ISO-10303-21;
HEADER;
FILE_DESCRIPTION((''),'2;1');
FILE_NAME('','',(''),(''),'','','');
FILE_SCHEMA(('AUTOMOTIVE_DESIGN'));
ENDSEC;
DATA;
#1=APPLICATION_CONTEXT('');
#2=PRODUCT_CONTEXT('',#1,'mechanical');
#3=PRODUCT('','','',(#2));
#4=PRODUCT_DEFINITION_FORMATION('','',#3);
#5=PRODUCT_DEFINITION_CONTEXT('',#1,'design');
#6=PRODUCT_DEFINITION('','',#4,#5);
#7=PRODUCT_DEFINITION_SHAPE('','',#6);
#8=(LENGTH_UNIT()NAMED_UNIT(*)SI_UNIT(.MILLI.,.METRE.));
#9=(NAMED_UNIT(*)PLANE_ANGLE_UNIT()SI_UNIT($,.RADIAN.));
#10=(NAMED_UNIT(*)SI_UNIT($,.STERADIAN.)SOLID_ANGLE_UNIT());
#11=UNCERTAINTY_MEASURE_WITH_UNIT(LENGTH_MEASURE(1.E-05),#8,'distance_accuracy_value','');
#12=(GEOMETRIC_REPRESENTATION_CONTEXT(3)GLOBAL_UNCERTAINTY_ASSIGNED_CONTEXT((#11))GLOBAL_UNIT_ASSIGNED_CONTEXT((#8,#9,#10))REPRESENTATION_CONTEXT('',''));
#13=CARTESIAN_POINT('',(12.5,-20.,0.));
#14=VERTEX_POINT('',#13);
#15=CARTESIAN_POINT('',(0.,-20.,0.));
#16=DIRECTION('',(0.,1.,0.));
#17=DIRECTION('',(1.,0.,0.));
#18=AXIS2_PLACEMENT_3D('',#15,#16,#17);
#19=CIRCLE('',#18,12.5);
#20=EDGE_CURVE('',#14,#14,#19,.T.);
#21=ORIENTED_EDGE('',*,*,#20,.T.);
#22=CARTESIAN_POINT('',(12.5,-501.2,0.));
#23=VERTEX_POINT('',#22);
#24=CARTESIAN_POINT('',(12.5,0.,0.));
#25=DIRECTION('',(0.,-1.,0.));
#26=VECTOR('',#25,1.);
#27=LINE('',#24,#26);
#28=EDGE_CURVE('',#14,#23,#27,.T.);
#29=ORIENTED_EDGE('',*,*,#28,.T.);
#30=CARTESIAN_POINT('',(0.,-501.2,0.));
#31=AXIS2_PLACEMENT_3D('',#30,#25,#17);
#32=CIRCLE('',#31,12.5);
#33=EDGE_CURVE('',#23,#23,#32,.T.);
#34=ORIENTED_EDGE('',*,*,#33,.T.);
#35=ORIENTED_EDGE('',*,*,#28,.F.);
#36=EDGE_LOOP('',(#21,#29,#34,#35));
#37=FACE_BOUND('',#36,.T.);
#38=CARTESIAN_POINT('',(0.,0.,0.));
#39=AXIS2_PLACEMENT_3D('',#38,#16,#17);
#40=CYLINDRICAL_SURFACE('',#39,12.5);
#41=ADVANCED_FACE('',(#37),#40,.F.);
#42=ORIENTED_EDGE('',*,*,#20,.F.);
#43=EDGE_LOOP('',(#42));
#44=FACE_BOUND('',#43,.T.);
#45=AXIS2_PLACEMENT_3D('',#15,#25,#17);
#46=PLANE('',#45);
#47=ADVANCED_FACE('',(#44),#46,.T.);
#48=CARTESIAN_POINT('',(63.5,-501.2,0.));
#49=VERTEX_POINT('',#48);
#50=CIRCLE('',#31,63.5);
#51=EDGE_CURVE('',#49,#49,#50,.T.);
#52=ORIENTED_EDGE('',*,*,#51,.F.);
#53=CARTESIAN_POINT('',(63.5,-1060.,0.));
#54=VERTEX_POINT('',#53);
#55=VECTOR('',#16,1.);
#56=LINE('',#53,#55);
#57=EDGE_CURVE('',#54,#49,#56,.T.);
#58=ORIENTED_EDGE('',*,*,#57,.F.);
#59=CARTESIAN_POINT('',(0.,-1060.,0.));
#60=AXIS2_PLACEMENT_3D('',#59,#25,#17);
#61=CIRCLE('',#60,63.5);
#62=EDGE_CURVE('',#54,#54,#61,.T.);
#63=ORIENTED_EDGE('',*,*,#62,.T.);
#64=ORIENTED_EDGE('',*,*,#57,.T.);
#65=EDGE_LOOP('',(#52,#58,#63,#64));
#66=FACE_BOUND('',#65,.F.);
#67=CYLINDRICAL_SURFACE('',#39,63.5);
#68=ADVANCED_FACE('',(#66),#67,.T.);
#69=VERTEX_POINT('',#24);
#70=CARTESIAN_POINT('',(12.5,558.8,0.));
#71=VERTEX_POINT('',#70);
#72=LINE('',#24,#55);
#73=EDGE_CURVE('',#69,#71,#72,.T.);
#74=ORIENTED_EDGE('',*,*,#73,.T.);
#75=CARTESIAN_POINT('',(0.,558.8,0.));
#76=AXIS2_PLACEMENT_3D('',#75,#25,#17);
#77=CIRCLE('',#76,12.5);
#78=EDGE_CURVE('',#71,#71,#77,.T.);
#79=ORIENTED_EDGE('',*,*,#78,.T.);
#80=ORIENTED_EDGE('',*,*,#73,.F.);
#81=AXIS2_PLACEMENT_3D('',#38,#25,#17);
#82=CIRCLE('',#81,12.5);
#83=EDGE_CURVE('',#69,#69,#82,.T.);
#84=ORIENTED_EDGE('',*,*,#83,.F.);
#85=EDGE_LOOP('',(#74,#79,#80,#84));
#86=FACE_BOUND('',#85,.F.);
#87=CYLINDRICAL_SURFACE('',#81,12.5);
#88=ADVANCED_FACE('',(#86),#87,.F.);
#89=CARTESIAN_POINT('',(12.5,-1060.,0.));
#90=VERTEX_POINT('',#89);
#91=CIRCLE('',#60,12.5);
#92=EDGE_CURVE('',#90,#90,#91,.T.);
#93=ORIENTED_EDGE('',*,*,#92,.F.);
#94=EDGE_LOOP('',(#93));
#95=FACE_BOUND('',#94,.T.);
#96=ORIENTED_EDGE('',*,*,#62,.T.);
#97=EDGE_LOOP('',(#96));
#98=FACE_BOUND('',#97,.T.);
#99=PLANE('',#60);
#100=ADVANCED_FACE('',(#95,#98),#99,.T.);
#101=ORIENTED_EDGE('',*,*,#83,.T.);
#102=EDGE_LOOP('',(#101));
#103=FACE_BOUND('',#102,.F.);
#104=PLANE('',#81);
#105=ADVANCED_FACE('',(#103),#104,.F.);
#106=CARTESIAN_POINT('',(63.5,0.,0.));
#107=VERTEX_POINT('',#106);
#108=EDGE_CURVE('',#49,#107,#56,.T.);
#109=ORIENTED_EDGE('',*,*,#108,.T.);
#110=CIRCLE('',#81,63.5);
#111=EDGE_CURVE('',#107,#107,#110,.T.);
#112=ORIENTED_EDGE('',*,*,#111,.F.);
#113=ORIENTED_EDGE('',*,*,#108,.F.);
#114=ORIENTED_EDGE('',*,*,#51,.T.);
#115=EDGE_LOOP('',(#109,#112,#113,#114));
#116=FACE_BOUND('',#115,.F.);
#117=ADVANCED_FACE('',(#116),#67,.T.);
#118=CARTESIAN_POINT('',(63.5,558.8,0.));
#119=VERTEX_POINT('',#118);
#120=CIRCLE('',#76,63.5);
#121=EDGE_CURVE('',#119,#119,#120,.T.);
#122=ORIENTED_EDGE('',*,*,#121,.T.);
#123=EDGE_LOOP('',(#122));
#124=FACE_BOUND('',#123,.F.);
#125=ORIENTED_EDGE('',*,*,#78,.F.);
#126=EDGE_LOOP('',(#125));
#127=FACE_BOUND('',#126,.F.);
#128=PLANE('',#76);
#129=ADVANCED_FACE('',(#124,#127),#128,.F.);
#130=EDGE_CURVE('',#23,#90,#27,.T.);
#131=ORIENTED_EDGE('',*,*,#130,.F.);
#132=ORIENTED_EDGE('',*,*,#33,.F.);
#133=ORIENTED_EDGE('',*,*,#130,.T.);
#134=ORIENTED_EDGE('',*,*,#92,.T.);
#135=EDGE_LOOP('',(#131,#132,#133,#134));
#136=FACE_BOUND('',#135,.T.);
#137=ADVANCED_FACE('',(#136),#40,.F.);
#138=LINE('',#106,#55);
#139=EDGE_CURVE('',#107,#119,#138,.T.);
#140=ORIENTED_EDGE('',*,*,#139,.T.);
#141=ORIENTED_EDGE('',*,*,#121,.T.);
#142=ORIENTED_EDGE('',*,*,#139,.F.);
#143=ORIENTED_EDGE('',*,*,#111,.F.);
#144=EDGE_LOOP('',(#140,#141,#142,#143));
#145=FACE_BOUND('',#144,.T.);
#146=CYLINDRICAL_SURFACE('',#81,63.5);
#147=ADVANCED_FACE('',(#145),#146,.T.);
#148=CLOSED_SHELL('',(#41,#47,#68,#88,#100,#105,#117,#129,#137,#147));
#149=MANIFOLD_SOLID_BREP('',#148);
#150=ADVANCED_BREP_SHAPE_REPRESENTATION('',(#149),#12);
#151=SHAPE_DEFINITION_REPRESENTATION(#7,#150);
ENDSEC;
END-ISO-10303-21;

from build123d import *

# Parameters (mm, degrees)
F0_R        = 63.5
F0_R_2      = 12.5
F1_DEPTH    = 20
F2_DEPTH    = 1060
F2_FACE_R   = 63.5
F2_FACE_R_2 = 12.5
F3_DEPTH    = 558.8


with BuildPart() as f1:
    # F0 (on Front) → F1 (new body)
    with BuildSketch(Plane.XZ):
        Circle(F0_R)
        Circle(F0_R_2, mode=Mode.SUBTRACT)
        Circle(F0_R_2)
    extrude(amount=F1_DEPTH)

    # F0 (on Front) → F2 (join)
    with BuildSketch(Plane.XZ):
        Circle(F0_R)
        Circle(F0_R_2, mode=Mode.SUBTRACT)
    extrude(amount=F2_DEPTH)

    # F0 (on Front) + F2_face (on face) → F3 (join)
    with BuildSketch(Plane.XZ):
        Circle(F0_R)
        Circle(F0_R_2, mode=Mode.SUBTRACT)
    with BuildSketch(Plane.XZ.offset(1060)):
        Circle(F2_FACE_R)
        Circle(F2_FACE_R_2, mode=Mode.SUBTRACT)
    extrude(amount=-F3_DEPTH)


solid = f1.part
